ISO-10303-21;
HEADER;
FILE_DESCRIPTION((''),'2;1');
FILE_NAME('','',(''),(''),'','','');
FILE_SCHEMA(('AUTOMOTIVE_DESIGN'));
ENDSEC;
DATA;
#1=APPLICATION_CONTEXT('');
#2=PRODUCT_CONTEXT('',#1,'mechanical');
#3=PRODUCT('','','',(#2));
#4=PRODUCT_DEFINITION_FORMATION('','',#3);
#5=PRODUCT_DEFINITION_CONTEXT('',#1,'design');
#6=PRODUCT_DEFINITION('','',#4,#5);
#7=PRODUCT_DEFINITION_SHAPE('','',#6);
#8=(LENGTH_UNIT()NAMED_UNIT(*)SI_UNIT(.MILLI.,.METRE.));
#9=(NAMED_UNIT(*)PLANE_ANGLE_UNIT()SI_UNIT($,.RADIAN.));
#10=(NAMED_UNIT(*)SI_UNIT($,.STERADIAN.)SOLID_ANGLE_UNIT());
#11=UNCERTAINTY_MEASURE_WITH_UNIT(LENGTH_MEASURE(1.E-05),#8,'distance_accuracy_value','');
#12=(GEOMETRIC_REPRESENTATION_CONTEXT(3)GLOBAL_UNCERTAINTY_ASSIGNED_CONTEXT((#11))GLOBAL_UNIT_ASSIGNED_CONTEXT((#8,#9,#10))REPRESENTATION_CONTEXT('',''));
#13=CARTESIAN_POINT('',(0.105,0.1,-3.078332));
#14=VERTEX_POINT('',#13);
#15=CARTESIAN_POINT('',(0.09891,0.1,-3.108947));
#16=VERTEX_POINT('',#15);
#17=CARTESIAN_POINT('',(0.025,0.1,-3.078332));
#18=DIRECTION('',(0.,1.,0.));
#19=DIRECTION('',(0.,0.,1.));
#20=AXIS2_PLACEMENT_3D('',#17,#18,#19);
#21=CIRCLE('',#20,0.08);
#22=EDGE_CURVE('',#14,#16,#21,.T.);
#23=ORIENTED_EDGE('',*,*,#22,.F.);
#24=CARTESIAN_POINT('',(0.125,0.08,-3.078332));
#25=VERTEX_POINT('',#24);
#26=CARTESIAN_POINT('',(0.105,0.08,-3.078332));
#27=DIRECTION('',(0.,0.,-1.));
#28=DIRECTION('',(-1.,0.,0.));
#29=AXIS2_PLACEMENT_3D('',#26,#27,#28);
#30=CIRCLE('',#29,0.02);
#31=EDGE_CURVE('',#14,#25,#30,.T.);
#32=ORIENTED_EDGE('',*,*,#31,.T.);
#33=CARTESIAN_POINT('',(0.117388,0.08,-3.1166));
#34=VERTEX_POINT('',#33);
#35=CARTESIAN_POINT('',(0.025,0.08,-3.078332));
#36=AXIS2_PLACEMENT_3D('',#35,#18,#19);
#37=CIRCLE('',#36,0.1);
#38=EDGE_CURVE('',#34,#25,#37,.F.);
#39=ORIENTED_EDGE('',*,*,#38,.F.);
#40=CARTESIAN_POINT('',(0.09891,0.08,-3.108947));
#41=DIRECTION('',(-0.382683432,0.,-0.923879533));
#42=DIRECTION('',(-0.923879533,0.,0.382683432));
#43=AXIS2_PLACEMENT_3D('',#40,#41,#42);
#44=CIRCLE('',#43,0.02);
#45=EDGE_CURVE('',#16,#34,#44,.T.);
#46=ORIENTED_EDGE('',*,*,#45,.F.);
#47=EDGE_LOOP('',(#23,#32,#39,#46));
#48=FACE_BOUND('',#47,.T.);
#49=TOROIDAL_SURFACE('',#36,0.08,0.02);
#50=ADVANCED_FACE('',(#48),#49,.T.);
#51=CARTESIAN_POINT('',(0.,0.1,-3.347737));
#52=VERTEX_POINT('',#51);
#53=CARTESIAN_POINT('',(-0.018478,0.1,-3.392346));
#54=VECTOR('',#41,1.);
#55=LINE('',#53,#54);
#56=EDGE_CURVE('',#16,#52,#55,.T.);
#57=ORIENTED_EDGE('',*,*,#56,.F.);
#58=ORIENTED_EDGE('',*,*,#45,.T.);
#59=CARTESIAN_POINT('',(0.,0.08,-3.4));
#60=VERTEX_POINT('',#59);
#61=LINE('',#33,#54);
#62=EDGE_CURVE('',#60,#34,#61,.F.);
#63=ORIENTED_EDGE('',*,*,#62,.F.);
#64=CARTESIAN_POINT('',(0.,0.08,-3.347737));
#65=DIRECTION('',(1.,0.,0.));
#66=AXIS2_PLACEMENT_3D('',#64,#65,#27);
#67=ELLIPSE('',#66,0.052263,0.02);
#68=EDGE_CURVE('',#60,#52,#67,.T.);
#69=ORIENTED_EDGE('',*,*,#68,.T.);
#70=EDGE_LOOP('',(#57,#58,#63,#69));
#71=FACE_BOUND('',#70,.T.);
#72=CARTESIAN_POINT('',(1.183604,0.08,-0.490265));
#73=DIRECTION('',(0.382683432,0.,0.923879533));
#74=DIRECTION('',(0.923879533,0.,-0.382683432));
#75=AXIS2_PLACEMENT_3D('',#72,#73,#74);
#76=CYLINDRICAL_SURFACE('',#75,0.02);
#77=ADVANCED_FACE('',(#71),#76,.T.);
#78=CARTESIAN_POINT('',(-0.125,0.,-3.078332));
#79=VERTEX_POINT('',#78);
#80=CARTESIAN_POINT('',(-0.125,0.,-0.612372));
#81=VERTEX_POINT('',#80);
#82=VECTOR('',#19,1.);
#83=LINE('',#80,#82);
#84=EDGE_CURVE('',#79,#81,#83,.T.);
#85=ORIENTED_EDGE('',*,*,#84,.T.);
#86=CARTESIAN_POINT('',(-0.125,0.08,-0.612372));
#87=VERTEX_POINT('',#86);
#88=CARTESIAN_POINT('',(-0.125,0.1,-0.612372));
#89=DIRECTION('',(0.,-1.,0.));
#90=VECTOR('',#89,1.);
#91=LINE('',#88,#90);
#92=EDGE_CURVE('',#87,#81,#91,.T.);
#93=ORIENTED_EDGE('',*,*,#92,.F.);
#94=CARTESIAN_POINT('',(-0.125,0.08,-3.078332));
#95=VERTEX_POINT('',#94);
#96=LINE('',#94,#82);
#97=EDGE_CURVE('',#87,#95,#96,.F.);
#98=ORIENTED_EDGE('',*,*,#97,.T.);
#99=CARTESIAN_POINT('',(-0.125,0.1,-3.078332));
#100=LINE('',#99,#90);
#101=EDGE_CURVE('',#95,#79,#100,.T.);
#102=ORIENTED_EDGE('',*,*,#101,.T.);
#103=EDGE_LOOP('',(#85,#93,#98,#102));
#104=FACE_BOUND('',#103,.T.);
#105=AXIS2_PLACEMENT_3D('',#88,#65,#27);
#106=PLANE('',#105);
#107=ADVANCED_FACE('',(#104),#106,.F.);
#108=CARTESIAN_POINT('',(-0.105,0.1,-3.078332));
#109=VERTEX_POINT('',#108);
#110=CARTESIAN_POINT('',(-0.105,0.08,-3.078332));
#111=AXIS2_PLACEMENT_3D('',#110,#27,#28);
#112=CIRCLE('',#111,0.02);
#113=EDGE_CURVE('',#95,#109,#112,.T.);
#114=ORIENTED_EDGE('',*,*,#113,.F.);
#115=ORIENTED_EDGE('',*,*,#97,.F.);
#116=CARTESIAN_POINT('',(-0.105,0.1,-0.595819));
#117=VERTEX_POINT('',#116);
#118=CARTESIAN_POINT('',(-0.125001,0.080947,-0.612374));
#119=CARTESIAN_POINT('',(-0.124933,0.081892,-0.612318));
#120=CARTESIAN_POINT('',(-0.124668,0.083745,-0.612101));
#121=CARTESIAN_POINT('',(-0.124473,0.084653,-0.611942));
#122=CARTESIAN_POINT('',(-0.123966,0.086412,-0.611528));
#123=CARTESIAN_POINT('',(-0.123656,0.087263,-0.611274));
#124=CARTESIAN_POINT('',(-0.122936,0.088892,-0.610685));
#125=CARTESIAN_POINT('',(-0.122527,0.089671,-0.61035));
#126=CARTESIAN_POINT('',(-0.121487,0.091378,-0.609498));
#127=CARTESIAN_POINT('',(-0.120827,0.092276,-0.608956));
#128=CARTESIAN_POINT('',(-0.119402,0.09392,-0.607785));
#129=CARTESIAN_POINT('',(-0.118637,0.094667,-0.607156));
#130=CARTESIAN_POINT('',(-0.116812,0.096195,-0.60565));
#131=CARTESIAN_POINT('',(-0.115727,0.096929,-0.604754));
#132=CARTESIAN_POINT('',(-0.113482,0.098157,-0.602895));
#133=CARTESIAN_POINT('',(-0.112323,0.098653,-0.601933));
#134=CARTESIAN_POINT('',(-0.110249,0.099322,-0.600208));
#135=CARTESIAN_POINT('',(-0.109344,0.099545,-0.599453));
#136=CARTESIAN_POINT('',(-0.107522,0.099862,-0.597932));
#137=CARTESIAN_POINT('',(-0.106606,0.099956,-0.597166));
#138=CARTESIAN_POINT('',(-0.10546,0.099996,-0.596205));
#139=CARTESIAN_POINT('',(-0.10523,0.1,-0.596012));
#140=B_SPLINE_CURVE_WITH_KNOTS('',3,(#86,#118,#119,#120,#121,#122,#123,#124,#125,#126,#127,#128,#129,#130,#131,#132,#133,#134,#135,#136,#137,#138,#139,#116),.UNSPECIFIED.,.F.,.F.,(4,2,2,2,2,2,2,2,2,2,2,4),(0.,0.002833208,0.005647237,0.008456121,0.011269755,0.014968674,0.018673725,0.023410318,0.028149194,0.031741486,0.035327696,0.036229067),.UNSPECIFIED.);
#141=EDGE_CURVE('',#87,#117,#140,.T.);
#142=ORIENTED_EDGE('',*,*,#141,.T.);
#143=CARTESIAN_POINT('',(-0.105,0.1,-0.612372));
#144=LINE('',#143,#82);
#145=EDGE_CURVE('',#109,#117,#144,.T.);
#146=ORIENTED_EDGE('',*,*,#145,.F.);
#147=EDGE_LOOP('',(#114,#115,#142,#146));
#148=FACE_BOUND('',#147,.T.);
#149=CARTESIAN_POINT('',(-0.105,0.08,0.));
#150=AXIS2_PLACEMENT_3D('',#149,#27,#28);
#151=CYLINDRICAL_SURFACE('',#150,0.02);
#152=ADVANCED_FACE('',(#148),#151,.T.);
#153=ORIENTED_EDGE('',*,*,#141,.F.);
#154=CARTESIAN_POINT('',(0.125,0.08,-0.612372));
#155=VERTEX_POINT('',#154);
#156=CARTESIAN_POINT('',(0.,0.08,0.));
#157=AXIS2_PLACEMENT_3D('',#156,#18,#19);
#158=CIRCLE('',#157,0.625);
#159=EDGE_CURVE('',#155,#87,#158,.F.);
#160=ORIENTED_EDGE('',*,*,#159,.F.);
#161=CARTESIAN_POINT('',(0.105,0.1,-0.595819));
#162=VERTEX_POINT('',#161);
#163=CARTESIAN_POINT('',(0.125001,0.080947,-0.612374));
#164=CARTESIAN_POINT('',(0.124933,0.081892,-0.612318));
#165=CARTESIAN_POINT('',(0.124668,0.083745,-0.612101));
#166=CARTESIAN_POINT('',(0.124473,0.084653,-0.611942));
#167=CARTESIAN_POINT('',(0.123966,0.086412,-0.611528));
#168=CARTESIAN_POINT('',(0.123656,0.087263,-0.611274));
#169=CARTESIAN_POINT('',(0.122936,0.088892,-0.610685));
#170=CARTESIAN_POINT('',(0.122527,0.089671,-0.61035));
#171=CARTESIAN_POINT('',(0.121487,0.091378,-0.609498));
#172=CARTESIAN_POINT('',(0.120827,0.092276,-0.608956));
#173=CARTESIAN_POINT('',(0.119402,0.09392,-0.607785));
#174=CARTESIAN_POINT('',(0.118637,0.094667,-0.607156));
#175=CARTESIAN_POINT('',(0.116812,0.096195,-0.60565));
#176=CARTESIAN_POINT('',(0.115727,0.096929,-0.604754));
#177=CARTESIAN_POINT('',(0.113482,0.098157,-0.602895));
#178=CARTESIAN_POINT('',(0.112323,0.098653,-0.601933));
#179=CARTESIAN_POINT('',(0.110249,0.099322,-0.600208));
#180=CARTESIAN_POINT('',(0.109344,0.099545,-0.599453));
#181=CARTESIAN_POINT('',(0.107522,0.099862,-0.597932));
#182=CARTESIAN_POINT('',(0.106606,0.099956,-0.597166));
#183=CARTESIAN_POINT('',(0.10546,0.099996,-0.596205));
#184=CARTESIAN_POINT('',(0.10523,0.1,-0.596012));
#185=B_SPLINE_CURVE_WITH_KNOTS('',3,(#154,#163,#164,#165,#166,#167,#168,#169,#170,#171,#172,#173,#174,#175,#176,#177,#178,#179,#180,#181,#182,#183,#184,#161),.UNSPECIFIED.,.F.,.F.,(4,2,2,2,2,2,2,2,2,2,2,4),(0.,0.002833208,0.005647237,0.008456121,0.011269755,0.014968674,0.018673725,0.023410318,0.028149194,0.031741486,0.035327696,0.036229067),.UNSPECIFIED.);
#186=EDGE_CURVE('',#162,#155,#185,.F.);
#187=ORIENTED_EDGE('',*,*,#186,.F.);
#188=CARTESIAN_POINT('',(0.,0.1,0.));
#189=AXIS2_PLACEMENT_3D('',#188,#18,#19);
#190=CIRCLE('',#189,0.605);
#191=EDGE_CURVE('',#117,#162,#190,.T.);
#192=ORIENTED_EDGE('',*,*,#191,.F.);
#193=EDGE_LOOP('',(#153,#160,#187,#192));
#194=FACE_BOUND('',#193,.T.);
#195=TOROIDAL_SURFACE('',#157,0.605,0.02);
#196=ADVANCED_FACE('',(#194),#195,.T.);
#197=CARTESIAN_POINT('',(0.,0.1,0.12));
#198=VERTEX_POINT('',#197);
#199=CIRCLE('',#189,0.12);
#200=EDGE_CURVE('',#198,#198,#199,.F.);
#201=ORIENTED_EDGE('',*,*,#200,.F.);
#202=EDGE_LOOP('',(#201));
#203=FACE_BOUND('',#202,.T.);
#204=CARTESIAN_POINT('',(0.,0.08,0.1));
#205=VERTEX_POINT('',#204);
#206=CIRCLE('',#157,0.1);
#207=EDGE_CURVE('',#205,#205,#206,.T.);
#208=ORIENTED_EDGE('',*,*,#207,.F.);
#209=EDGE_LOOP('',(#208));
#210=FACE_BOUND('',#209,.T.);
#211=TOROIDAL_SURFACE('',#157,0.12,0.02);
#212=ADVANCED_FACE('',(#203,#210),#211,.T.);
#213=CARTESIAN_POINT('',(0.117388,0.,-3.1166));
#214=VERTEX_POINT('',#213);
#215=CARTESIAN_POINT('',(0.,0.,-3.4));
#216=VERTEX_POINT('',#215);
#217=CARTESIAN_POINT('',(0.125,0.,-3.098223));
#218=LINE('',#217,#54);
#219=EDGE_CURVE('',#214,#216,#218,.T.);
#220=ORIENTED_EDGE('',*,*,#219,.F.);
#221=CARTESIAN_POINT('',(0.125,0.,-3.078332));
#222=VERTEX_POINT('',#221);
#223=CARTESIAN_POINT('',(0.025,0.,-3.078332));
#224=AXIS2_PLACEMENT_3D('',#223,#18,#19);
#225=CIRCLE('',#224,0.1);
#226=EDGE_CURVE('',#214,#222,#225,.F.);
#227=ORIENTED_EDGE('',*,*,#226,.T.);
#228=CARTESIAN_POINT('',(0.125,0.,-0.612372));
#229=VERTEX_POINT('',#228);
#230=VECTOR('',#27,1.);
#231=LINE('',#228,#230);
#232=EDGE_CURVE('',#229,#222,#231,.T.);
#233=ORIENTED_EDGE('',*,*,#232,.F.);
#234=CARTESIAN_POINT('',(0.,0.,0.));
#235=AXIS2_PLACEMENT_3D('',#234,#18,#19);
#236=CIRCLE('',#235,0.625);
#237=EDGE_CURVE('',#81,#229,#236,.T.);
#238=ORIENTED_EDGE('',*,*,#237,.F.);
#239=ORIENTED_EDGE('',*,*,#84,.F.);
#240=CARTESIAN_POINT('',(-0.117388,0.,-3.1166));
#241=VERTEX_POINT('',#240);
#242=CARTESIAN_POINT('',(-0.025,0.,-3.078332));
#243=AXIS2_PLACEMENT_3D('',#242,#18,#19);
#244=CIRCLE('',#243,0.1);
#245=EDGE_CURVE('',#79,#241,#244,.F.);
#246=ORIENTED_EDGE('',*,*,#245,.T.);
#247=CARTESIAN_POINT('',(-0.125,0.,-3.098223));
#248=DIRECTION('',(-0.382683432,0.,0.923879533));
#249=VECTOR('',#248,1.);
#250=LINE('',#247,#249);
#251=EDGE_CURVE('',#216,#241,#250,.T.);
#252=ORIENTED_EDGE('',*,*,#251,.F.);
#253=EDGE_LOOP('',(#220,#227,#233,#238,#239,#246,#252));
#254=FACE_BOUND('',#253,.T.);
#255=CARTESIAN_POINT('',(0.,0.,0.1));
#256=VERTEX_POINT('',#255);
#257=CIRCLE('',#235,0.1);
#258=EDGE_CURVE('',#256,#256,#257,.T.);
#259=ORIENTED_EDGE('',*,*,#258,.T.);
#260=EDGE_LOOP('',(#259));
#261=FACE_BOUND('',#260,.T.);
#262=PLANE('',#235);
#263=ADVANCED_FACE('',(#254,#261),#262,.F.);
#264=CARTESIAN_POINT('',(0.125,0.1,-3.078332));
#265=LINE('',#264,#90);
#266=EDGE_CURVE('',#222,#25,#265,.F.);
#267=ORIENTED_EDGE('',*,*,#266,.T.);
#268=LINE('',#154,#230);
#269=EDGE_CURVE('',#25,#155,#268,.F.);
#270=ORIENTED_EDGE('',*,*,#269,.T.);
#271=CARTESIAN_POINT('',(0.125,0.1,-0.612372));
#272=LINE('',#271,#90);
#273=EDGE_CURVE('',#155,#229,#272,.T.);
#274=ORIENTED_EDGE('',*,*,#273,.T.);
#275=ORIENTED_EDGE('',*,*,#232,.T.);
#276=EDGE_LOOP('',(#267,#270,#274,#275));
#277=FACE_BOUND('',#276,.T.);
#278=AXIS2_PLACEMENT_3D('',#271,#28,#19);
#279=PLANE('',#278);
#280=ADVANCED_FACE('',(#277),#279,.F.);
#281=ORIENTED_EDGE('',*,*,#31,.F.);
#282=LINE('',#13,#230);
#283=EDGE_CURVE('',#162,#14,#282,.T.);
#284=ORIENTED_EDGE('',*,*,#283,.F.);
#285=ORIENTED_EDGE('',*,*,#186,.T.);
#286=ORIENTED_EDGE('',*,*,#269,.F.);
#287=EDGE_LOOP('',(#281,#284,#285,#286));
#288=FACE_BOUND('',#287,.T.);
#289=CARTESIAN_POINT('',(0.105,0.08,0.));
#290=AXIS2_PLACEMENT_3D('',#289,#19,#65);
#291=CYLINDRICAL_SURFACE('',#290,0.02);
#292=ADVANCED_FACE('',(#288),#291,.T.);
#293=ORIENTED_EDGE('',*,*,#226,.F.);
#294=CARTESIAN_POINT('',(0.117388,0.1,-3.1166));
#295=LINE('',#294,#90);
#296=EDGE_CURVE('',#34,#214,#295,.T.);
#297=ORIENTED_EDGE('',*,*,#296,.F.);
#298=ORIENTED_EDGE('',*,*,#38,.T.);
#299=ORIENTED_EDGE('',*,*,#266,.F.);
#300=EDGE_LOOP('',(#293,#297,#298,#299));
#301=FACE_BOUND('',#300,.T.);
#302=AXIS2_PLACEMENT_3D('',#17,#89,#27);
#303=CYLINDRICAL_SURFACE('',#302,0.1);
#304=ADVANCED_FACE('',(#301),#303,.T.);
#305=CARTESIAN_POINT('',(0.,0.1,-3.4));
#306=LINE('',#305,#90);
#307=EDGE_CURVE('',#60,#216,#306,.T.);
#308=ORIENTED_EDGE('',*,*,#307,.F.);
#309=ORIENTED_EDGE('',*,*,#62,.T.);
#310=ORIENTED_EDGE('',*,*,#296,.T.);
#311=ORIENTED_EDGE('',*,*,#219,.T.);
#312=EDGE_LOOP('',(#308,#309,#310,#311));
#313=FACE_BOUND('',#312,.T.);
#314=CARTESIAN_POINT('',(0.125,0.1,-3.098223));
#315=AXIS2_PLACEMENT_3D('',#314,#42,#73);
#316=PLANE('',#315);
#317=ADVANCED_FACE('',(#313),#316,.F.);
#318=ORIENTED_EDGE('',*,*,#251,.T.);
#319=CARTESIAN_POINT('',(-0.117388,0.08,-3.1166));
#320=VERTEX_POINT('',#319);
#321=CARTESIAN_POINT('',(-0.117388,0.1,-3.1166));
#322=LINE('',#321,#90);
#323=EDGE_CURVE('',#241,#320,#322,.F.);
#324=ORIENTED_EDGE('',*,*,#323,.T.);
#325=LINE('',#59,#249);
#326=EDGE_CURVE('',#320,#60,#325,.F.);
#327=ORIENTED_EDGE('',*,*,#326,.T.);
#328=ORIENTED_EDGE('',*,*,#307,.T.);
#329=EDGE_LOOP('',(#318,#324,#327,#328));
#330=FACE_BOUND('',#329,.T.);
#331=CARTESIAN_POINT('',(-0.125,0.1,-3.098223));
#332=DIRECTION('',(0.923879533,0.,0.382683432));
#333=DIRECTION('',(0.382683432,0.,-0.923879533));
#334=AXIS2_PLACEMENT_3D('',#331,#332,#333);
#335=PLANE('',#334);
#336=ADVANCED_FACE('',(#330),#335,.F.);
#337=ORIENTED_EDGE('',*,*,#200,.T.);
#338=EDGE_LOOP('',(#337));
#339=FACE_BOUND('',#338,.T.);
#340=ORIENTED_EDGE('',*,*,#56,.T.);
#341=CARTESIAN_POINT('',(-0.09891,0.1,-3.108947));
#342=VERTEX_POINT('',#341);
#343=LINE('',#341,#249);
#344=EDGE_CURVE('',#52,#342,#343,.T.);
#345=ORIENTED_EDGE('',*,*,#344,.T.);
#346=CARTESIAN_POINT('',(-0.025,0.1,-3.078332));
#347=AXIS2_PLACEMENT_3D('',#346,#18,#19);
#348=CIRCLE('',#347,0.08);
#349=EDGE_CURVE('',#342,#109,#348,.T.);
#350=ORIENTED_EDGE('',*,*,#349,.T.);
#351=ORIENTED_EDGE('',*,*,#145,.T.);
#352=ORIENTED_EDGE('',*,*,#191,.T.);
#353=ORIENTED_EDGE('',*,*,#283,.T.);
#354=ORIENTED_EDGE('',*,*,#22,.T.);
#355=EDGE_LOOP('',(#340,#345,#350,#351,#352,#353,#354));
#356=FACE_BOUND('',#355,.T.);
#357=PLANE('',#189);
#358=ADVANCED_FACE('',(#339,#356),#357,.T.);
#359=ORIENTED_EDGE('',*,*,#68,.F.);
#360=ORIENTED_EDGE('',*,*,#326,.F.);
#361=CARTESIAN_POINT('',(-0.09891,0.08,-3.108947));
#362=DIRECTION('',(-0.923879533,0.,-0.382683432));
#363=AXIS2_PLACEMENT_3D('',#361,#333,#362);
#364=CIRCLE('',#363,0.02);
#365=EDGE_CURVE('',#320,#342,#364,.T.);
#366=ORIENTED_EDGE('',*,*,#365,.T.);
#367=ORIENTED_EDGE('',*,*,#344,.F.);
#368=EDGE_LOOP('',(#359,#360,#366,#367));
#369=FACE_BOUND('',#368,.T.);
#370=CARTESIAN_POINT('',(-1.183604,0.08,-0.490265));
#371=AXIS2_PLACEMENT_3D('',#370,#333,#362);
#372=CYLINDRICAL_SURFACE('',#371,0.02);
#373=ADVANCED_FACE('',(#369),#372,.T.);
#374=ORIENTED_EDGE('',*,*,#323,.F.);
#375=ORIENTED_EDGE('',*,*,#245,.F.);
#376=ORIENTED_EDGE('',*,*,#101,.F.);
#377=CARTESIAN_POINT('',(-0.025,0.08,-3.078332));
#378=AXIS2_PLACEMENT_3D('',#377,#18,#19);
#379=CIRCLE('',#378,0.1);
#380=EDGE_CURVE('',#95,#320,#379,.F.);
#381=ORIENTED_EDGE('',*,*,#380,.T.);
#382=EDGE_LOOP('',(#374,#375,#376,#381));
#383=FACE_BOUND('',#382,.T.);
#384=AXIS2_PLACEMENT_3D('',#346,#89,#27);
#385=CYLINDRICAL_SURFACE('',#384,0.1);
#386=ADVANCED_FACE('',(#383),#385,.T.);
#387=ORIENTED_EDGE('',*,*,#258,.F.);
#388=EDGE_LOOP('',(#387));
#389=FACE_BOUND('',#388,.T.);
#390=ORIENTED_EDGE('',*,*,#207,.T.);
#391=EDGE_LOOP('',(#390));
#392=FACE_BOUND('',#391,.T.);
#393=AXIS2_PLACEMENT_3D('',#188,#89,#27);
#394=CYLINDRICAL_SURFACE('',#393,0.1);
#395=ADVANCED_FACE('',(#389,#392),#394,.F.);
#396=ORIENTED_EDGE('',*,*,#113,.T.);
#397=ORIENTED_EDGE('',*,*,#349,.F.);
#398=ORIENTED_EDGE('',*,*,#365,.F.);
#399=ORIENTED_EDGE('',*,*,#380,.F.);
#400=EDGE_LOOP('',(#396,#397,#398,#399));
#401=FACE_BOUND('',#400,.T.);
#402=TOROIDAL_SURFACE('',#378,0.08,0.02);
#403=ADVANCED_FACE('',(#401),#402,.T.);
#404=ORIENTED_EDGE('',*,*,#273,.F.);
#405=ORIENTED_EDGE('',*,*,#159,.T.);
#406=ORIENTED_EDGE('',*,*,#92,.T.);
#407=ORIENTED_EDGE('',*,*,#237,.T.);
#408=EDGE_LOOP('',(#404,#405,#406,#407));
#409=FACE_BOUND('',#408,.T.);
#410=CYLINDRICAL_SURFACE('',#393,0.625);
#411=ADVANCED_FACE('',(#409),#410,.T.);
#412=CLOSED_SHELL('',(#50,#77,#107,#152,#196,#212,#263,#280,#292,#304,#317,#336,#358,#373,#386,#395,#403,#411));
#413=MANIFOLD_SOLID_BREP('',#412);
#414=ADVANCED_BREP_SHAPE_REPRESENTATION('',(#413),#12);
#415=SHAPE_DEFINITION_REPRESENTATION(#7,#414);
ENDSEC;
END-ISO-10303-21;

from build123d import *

# Parameters (mm, degrees)
SKETCH_1_R      = 0.1
EXTRUDE_1_DEPTH = 0.1
FILLET_1_R      = 0.1
FILLET_2_R      = 0.02


with BuildPart() as part:
    # 草图1 → 凸台-拉伸1 (new body)
    with BuildSketch(Plane(origin=(0, 0, 0), x_dir=(1, 0, 0), z_dir=(0, 1, 0))):
        with BuildLine():
            Line((-0.125, 3.098223305), (0, 3.4))
            Line((0, 3.4), (0.125, 3.098223305))
            Line((0.125, 3.098223305), (0.125, 0.612372436))
            ThreePointArc((0.125, 0.612372436), (0, -0.625), (-0.125, 0.612372436))
            Line((-0.125, 0.612372436), (-0.125, 3.098223305))
        make_face()
        with Locations(Location((0, 0, 0), (0, 0, 270))):
            Circle(SKETCH_1_R, mode=Mode.SUBTRACT)
    extrude(amount=EXTRUDE_1_DEPTH)

    # 圆角1
    fillet_1_edges = [part.edges().sort_by_distance(p)[0] for p in [
        (0.125, 0.05, -3.098223305),
        (-0.125, 0.05, -3.098223305),
    ]]
    fillet(fillet_1_edges, radius=FILLET_1_R)

    # 圆角2
    fillet_2_edges = [part.edges().sort_by_distance(p)[0] for p in [
        (-0.125, 0.1, -1.845352252),
        (-0.123078528, 0.1, -3.0978411),
        (0, 0.1, 0.625),
        (-0.058693977, 0.1, -3.258300206),
        (0.125, 0.1, -1.845352252),
        (0.058693977, 0.1, -3.258300206),
        (0.123078528, 0.1, -3.0978411),
        (0, 0.1, -0.1),
    ]]
    fillet(fillet_2_edges, radius=FILLET_2_R)


solid = part.part
